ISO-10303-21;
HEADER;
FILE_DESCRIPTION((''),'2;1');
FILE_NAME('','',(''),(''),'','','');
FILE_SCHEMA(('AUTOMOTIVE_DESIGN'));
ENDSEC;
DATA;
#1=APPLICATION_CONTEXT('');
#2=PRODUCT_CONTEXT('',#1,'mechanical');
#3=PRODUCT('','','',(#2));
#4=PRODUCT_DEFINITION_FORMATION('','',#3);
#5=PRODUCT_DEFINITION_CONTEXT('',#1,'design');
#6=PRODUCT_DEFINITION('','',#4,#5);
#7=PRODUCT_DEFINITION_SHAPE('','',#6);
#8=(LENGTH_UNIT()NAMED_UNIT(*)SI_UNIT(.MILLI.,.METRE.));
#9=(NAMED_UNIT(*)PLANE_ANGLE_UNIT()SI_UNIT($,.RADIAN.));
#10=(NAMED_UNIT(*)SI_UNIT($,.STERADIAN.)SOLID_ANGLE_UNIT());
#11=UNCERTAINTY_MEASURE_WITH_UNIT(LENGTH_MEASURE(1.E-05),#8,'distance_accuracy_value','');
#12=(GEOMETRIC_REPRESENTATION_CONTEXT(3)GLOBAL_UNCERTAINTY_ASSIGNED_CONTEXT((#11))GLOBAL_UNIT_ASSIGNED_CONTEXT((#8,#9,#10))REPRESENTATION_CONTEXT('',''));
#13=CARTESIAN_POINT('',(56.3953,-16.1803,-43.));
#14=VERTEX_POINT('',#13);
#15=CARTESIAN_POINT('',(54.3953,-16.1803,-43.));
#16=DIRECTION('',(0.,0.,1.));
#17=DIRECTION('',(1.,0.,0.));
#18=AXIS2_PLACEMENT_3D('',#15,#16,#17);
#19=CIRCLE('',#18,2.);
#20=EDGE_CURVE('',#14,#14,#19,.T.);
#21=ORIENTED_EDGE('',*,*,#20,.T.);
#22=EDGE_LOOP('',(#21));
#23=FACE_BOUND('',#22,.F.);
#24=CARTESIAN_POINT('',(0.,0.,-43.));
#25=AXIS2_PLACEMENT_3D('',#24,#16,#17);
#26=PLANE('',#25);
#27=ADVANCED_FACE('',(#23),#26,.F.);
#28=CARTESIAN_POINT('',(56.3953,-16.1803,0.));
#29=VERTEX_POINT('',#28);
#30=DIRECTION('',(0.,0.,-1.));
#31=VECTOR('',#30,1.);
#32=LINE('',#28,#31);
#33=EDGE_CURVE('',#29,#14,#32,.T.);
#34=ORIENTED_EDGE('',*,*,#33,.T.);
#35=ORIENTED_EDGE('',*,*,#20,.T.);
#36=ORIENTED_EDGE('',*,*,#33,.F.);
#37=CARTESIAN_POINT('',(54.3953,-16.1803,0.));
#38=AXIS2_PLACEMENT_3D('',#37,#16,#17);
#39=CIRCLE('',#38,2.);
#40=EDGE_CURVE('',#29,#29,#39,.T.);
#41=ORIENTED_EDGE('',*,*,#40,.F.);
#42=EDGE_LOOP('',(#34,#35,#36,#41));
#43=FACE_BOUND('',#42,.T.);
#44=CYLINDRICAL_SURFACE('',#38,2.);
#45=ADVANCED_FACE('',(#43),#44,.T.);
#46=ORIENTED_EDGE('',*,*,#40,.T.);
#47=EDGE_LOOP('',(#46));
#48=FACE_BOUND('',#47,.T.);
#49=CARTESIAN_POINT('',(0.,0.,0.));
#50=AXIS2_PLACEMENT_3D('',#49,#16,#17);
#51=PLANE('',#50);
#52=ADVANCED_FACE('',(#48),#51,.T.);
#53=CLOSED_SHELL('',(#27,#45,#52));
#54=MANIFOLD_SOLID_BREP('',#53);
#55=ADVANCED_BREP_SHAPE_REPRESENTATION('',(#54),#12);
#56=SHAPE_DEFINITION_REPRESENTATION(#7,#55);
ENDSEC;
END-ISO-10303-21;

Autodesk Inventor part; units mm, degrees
ref_plane "Work Plane1" through (0, 0, 0) normal (0, 0, 1) x (1, 0, 0)
sketch "Sketch1" plane through (0, 0, 0) normal (0, 0, 1) x (1, 0, 0)
  circle A0 centre (54.3953, -16.1803) radius 4.0005 projected
  circle A1 centre (54.3953, -16.1803) radius 2
  point P0 (0, 0)
ref_plane "Work Plane2" through (0, -29.5, -27) normal (0, 0, -1) x (0, 1, 0)
ref_plane "Work Plane3" through (38.9126, -31.7019, -38) normal (0, 0, -1) x (0.3643, 0.9313, 0)
extrude "Extrusion1" add sketch "Sketch1" against normal blind 43 contours A1
properties part number "smolGear_shaft" material "PVC, Unplasticized"
